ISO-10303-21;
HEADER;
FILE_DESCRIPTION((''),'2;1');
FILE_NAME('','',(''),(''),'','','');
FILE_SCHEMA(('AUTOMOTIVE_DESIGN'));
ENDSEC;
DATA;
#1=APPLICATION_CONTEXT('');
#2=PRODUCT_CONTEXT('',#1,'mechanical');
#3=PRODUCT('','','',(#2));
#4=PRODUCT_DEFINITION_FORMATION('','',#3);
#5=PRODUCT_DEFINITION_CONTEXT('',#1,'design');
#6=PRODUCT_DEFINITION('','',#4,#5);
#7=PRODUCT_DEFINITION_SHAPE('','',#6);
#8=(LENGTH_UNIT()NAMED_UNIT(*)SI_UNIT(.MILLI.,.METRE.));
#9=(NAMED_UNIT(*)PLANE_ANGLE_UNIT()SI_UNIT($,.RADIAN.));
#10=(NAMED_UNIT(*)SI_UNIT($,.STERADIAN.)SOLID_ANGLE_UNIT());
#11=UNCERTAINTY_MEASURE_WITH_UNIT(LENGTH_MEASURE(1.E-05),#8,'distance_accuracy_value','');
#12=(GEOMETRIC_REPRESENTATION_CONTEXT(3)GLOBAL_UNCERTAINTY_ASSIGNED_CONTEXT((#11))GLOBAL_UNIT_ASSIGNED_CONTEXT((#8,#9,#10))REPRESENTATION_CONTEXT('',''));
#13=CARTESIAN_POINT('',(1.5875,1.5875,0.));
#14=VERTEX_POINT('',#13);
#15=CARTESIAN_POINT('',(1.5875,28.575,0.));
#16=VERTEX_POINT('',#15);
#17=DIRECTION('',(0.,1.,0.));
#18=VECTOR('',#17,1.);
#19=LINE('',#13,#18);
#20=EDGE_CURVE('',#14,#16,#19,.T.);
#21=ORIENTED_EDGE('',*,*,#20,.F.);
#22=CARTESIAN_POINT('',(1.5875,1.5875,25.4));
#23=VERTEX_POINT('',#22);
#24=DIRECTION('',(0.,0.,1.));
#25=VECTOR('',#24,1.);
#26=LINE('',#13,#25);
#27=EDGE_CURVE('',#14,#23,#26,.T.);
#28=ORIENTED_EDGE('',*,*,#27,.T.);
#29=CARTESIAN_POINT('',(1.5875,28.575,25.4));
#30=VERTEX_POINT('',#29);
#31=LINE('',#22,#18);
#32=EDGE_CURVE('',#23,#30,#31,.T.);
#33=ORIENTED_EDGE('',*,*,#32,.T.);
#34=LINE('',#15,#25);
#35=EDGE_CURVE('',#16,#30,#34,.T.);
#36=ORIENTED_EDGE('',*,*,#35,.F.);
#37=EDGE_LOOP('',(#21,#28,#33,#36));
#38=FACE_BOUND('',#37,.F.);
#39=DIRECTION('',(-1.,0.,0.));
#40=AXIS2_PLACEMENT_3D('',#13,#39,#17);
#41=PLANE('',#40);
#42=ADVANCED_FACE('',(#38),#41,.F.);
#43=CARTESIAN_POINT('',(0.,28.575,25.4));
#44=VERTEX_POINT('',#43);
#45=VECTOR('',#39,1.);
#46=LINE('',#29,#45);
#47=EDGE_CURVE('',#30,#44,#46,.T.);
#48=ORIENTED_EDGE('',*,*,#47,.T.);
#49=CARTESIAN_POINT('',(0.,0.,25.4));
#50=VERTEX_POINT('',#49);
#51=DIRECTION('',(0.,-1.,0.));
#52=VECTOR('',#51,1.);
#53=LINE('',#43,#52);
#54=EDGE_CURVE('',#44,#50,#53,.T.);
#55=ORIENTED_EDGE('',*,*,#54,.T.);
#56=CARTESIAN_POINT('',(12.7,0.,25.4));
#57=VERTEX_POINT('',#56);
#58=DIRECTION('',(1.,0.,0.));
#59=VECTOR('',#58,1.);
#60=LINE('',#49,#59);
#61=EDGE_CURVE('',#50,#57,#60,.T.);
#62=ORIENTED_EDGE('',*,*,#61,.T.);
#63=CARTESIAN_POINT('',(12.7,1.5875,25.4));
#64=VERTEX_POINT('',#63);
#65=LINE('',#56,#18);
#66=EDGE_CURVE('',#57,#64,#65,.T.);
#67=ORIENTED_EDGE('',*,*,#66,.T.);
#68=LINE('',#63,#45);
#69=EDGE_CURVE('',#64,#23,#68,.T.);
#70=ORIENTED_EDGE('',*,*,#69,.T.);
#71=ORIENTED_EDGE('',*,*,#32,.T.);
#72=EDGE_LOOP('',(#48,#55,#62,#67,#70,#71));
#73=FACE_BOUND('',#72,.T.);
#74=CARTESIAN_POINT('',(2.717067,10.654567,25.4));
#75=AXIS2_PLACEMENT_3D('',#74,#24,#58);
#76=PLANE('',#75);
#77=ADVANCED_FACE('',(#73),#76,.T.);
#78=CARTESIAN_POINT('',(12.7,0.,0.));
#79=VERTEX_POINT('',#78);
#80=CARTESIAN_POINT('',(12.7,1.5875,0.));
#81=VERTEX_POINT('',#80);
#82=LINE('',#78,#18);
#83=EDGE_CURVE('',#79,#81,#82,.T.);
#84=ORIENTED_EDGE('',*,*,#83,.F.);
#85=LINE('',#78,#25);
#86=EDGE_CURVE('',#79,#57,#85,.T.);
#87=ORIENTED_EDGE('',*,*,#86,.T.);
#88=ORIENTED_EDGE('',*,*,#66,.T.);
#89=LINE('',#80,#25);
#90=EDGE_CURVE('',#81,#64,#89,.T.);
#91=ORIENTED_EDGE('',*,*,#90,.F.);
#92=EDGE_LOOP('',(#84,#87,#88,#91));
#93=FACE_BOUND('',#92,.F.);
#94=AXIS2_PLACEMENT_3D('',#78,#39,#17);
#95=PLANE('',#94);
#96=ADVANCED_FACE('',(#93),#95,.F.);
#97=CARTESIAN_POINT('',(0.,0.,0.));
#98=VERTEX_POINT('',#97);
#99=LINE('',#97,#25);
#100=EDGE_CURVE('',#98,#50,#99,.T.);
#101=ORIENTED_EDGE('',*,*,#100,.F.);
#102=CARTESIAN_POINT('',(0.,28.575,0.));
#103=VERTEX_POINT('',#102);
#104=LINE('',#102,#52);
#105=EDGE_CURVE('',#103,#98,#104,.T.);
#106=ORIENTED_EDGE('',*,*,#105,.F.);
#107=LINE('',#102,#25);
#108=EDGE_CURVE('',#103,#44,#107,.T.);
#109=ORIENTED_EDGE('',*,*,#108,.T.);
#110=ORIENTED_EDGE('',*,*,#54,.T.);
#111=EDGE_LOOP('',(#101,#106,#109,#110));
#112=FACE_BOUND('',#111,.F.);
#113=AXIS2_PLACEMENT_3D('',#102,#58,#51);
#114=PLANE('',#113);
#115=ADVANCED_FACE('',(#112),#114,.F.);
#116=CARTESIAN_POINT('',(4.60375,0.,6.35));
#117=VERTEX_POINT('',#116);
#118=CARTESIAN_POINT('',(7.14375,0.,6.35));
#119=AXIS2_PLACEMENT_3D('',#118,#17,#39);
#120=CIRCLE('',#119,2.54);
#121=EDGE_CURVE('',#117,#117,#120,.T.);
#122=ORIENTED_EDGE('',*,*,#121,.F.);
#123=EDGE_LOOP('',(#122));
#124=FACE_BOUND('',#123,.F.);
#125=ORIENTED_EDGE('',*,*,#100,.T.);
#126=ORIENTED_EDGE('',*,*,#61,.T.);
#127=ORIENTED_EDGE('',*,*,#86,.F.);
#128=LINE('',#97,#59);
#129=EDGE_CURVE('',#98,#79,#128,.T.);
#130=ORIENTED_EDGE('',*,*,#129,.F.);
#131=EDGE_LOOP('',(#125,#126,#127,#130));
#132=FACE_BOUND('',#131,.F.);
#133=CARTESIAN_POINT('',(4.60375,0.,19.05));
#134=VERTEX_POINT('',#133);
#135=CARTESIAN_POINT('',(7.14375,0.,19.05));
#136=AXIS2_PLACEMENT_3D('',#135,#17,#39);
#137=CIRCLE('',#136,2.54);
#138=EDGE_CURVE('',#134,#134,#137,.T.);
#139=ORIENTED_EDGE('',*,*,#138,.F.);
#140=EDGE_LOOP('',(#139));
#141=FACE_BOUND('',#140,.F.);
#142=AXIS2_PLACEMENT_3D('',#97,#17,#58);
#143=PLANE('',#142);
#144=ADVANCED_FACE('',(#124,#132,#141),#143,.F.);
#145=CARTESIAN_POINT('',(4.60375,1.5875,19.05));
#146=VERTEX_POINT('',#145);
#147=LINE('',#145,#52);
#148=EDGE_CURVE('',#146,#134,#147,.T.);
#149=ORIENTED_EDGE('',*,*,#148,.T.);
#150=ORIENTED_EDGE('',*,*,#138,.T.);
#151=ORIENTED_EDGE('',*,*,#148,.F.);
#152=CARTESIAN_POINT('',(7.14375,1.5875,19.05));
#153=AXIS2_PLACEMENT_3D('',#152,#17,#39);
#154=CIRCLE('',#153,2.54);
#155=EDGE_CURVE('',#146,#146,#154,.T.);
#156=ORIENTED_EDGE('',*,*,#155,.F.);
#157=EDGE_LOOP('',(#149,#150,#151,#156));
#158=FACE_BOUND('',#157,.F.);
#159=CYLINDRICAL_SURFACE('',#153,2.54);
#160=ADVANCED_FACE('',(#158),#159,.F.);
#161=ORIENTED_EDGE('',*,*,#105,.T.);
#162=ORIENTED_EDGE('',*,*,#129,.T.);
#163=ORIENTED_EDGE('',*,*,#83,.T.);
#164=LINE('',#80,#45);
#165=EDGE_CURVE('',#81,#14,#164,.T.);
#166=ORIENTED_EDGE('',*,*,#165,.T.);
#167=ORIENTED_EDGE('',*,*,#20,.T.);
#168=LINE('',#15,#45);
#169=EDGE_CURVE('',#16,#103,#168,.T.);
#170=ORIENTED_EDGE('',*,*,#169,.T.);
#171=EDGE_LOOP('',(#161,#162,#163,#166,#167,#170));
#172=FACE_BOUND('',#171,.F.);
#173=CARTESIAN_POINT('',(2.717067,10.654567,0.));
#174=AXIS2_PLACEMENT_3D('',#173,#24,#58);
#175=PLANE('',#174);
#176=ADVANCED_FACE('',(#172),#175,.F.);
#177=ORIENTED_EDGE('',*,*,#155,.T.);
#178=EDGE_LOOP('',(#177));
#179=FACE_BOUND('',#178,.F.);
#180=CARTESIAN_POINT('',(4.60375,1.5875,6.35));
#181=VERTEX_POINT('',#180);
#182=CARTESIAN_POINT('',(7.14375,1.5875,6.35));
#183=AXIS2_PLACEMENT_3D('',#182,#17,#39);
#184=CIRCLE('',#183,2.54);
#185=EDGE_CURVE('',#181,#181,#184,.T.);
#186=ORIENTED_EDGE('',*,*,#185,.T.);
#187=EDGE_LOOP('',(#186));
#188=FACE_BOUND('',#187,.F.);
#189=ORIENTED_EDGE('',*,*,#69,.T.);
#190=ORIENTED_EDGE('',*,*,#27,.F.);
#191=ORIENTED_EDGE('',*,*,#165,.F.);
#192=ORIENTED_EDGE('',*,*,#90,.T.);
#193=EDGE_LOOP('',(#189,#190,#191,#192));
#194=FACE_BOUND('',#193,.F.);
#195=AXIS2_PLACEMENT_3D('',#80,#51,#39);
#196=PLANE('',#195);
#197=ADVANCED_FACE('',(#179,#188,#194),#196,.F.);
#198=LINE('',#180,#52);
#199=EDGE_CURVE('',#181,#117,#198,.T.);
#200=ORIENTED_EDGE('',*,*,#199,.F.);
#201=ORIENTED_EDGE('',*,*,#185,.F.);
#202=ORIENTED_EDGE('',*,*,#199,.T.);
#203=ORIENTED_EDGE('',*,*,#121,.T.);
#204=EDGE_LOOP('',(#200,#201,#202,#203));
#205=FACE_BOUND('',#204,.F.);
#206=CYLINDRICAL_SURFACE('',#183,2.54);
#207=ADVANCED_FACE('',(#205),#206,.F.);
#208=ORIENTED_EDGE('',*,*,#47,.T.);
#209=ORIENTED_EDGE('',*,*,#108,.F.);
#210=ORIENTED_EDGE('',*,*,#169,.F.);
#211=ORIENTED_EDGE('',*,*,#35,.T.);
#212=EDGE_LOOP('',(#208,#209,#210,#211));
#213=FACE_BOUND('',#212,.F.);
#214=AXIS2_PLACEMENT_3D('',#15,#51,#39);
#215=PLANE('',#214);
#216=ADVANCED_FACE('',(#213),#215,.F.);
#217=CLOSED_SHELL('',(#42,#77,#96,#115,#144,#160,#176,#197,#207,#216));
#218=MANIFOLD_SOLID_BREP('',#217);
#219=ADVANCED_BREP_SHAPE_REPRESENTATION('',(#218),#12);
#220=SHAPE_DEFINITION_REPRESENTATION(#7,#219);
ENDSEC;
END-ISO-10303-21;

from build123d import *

# Parameters (mm, degrees)
F1_DEPTH = 25.4
F2_R     = 2.54
F3_DEPTH = 1.5885


with BuildPart() as f1:
    # F0 (on Top) → F1 (new body)
    with BuildSketch(Plane.XY):
        Polygon((0, 28.575), (0, 0), (12.7, 0), (12.7, 1.5875), (1.5875, 1.5875), (1.5875, 28.575), align=None)
    extrude(amount=F1_DEPTH)

    # F2 (on face) → F3 (cut, through all)
    with BuildSketch(Plane(origin=(0, 1.5875, 0), x_dir=(-1, 0, 0), z_dir=(0, 1, 0))):
        with Locations((-7.14375, 19.05)):
            Circle(F2_R)
        with Locations((-7.14375, 6.35)):
            Circle(F2_R)
    extrude(amount=-F3_DEPTH, mode=Mode.SUBTRACT)


solid = f1.part
